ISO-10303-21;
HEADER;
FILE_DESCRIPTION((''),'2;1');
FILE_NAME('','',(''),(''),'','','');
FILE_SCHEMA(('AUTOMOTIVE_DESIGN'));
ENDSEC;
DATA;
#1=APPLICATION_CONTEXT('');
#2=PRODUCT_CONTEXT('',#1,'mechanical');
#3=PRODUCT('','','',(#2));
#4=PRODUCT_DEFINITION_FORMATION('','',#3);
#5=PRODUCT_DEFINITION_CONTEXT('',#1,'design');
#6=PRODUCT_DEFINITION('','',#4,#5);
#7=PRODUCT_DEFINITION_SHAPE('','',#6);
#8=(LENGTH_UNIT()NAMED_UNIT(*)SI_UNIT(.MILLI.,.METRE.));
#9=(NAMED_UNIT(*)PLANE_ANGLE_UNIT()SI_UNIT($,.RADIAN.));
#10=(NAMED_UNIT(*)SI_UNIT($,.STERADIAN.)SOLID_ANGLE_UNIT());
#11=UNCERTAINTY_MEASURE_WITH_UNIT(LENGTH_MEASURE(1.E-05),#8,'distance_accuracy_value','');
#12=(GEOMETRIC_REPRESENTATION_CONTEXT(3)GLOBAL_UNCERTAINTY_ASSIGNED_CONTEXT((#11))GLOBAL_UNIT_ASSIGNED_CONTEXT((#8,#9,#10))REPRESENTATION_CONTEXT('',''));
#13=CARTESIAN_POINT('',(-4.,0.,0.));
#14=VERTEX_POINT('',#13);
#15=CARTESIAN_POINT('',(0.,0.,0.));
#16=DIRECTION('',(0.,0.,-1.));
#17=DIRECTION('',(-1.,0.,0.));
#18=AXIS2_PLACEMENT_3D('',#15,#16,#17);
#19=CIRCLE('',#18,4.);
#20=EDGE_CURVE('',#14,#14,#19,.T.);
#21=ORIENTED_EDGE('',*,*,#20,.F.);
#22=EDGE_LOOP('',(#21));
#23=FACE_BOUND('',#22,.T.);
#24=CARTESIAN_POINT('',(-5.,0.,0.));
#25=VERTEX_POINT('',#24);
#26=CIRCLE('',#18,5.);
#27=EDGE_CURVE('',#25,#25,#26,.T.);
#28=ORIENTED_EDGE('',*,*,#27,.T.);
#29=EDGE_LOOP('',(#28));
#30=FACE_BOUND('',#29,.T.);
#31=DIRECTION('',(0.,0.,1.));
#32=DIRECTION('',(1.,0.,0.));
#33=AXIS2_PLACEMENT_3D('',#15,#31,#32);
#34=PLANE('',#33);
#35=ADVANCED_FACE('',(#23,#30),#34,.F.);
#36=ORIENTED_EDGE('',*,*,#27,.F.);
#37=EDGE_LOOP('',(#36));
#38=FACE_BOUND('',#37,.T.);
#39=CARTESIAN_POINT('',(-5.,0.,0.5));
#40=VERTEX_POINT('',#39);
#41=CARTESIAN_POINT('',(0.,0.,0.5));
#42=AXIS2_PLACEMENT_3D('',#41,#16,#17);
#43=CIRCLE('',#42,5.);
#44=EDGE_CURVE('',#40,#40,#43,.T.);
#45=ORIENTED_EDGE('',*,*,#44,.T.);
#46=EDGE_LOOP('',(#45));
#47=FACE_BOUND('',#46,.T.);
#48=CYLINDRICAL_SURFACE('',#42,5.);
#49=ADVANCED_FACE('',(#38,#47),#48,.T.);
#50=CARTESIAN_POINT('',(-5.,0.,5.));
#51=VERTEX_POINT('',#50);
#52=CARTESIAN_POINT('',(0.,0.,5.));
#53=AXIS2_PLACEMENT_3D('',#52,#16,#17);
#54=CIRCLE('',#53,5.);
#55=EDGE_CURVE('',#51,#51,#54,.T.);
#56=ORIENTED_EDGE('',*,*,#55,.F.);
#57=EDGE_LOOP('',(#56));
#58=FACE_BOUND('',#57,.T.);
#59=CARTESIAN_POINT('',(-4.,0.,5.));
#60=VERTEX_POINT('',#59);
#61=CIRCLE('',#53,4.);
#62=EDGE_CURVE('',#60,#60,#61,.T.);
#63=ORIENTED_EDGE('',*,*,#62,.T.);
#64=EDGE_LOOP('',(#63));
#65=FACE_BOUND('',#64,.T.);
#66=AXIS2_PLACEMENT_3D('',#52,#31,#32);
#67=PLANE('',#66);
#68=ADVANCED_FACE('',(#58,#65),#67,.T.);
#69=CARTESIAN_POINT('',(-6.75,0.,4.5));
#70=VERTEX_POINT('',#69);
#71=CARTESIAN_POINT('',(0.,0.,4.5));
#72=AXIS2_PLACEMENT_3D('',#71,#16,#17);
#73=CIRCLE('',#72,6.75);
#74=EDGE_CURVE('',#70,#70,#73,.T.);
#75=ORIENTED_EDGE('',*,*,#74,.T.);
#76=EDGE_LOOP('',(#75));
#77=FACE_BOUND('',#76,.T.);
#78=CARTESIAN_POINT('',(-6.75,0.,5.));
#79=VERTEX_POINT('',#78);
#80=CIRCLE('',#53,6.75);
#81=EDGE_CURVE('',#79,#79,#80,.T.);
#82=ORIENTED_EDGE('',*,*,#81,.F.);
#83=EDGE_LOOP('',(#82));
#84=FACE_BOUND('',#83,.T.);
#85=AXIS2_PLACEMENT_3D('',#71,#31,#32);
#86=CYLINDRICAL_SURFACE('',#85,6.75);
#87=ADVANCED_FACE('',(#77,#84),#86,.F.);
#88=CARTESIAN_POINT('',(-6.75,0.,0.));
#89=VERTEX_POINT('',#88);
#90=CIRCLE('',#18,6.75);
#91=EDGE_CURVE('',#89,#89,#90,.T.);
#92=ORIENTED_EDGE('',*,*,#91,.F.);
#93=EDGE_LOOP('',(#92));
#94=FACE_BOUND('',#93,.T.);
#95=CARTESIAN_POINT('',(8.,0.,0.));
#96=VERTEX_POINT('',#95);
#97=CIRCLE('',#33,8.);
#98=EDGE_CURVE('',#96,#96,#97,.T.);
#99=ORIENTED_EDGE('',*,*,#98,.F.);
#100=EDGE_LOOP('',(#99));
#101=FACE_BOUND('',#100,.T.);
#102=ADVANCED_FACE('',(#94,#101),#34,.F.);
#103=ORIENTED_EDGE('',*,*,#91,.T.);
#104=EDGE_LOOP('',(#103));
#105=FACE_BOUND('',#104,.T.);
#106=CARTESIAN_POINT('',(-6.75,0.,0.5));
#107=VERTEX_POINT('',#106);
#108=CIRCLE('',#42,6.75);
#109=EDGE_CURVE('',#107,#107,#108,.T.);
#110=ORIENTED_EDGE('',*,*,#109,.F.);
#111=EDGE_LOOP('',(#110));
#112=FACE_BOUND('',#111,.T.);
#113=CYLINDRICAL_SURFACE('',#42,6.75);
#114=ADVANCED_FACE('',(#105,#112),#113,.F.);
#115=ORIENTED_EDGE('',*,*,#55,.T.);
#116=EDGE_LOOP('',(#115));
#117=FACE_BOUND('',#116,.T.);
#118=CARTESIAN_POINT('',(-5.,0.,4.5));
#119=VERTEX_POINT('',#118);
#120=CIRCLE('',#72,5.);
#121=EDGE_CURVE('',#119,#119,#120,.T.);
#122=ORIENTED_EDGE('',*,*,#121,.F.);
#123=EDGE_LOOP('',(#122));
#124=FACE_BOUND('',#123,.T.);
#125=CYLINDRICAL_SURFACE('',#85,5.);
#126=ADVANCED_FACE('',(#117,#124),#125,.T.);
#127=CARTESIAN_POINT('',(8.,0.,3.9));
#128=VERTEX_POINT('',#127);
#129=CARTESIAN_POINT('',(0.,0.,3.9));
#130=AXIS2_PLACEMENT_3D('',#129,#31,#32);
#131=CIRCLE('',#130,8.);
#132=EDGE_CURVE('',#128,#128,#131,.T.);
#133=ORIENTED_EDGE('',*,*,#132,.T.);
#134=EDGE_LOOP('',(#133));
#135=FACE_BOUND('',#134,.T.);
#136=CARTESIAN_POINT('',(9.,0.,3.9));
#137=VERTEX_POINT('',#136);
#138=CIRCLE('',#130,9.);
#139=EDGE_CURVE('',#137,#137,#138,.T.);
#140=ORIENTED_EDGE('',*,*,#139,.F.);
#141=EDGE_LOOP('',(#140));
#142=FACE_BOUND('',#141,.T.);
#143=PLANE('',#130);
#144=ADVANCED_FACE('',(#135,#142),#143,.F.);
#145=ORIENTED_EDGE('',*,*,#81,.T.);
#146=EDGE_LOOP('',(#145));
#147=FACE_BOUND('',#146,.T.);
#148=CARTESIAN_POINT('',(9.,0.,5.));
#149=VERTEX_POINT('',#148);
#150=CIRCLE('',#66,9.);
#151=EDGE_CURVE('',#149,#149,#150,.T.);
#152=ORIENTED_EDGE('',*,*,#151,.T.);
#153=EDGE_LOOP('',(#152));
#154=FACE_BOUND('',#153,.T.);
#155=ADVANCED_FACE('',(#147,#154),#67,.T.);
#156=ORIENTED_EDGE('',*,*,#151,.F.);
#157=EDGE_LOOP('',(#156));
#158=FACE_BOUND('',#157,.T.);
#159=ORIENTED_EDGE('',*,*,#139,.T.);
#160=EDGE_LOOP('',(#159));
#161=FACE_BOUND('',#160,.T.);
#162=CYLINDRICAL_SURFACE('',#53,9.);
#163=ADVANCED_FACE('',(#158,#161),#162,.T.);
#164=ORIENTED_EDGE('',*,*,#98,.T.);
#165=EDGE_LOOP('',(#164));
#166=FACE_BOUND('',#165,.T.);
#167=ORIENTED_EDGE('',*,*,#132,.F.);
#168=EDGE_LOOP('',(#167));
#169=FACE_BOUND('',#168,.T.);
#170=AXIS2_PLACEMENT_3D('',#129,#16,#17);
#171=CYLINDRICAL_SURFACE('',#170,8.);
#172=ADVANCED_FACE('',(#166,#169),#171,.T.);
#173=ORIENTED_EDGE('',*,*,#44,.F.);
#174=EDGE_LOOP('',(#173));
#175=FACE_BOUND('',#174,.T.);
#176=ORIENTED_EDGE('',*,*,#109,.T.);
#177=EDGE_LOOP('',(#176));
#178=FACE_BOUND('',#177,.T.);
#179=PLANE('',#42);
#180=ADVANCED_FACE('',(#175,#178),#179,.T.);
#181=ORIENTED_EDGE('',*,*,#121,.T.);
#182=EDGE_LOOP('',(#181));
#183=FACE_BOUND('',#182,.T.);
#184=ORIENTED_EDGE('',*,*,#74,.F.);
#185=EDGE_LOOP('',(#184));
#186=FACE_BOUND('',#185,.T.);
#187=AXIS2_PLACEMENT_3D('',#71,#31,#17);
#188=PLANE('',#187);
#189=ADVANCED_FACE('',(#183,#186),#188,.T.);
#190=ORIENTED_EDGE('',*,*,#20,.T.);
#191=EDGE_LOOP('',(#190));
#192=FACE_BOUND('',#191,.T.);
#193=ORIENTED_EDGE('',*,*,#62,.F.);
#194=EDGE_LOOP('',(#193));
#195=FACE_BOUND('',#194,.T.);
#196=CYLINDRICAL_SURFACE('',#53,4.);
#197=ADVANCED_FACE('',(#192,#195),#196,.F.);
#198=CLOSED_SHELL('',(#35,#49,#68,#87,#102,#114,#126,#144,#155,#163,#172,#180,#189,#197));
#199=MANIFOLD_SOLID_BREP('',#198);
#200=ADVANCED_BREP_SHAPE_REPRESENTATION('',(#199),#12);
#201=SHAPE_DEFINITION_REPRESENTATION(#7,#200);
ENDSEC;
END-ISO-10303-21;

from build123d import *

# Parameters (mm, degrees)
SKETCH1_R           = 8
BOSS_EXTRUDE1_DEPTH = 3.9
SKETCH2_R           = 9
BOSS_EXTRUDE2_DEPTH = 1.1
SKETCH3_R           = 6.75
SKETCH3_R_2         = 5
CUT_EXTRUDE1_DEPTH  = 0.5
SKETCH3_3_R         = 4
CUT_EXTRUDE2_DEPTH  = 14.674794331


with BuildPart() as part:
    # Sketch1 → Boss-Extrude1 (new body)
    with BuildSketch(Plane.XY):
        Circle(SKETCH1_R)
    extrude(amount=BOSS_EXTRUDE1_DEPTH)

    # Sketch2 → Boss-Extrude2 (add)
    with BuildSketch(Plane.XY.offset(3.9)):
        Circle(SKETCH2_R)
    extrude(amount=BOSS_EXTRUDE2_DEPTH)

    # Sketch3 → Cut-Extrude1 (cut)
    with BuildSketch(Plane(origin=(0, 0, 0), x_dir=(-1, 0, 0), z_dir=(0, 0, -1))):
        Circle(SKETCH3_R)
        Circle(SKETCH3_R_2, mode=Mode.SUBTRACT)
    cut_extrude1 = extrude(amount=-CUT_EXTRUDE1_DEPTH, mode=Mode.SUBTRACT)

    # Sketch3<3> → Cut-Extrude2 (cut, through all)
    with BuildSketch(Plane(origin=(0, 0, 0), x_dir=(-1, 0, 0), z_dir=(0, 0, -1))):
        Circle(SKETCH3_3_R)
    extrude(amount=-CUT_EXTRUDE2_DEPTH, mode=Mode.SUBTRACT)

    # Mirror1: Cut-Extrude1 across plane
    add(cut_extrude1.mirror(Plane(origin=(0, 0, 2.5), x_dir=(1, 0, 0), z_dir=(0, 0, -1))), mode=Mode.SUBTRACT)


solid = part.part
